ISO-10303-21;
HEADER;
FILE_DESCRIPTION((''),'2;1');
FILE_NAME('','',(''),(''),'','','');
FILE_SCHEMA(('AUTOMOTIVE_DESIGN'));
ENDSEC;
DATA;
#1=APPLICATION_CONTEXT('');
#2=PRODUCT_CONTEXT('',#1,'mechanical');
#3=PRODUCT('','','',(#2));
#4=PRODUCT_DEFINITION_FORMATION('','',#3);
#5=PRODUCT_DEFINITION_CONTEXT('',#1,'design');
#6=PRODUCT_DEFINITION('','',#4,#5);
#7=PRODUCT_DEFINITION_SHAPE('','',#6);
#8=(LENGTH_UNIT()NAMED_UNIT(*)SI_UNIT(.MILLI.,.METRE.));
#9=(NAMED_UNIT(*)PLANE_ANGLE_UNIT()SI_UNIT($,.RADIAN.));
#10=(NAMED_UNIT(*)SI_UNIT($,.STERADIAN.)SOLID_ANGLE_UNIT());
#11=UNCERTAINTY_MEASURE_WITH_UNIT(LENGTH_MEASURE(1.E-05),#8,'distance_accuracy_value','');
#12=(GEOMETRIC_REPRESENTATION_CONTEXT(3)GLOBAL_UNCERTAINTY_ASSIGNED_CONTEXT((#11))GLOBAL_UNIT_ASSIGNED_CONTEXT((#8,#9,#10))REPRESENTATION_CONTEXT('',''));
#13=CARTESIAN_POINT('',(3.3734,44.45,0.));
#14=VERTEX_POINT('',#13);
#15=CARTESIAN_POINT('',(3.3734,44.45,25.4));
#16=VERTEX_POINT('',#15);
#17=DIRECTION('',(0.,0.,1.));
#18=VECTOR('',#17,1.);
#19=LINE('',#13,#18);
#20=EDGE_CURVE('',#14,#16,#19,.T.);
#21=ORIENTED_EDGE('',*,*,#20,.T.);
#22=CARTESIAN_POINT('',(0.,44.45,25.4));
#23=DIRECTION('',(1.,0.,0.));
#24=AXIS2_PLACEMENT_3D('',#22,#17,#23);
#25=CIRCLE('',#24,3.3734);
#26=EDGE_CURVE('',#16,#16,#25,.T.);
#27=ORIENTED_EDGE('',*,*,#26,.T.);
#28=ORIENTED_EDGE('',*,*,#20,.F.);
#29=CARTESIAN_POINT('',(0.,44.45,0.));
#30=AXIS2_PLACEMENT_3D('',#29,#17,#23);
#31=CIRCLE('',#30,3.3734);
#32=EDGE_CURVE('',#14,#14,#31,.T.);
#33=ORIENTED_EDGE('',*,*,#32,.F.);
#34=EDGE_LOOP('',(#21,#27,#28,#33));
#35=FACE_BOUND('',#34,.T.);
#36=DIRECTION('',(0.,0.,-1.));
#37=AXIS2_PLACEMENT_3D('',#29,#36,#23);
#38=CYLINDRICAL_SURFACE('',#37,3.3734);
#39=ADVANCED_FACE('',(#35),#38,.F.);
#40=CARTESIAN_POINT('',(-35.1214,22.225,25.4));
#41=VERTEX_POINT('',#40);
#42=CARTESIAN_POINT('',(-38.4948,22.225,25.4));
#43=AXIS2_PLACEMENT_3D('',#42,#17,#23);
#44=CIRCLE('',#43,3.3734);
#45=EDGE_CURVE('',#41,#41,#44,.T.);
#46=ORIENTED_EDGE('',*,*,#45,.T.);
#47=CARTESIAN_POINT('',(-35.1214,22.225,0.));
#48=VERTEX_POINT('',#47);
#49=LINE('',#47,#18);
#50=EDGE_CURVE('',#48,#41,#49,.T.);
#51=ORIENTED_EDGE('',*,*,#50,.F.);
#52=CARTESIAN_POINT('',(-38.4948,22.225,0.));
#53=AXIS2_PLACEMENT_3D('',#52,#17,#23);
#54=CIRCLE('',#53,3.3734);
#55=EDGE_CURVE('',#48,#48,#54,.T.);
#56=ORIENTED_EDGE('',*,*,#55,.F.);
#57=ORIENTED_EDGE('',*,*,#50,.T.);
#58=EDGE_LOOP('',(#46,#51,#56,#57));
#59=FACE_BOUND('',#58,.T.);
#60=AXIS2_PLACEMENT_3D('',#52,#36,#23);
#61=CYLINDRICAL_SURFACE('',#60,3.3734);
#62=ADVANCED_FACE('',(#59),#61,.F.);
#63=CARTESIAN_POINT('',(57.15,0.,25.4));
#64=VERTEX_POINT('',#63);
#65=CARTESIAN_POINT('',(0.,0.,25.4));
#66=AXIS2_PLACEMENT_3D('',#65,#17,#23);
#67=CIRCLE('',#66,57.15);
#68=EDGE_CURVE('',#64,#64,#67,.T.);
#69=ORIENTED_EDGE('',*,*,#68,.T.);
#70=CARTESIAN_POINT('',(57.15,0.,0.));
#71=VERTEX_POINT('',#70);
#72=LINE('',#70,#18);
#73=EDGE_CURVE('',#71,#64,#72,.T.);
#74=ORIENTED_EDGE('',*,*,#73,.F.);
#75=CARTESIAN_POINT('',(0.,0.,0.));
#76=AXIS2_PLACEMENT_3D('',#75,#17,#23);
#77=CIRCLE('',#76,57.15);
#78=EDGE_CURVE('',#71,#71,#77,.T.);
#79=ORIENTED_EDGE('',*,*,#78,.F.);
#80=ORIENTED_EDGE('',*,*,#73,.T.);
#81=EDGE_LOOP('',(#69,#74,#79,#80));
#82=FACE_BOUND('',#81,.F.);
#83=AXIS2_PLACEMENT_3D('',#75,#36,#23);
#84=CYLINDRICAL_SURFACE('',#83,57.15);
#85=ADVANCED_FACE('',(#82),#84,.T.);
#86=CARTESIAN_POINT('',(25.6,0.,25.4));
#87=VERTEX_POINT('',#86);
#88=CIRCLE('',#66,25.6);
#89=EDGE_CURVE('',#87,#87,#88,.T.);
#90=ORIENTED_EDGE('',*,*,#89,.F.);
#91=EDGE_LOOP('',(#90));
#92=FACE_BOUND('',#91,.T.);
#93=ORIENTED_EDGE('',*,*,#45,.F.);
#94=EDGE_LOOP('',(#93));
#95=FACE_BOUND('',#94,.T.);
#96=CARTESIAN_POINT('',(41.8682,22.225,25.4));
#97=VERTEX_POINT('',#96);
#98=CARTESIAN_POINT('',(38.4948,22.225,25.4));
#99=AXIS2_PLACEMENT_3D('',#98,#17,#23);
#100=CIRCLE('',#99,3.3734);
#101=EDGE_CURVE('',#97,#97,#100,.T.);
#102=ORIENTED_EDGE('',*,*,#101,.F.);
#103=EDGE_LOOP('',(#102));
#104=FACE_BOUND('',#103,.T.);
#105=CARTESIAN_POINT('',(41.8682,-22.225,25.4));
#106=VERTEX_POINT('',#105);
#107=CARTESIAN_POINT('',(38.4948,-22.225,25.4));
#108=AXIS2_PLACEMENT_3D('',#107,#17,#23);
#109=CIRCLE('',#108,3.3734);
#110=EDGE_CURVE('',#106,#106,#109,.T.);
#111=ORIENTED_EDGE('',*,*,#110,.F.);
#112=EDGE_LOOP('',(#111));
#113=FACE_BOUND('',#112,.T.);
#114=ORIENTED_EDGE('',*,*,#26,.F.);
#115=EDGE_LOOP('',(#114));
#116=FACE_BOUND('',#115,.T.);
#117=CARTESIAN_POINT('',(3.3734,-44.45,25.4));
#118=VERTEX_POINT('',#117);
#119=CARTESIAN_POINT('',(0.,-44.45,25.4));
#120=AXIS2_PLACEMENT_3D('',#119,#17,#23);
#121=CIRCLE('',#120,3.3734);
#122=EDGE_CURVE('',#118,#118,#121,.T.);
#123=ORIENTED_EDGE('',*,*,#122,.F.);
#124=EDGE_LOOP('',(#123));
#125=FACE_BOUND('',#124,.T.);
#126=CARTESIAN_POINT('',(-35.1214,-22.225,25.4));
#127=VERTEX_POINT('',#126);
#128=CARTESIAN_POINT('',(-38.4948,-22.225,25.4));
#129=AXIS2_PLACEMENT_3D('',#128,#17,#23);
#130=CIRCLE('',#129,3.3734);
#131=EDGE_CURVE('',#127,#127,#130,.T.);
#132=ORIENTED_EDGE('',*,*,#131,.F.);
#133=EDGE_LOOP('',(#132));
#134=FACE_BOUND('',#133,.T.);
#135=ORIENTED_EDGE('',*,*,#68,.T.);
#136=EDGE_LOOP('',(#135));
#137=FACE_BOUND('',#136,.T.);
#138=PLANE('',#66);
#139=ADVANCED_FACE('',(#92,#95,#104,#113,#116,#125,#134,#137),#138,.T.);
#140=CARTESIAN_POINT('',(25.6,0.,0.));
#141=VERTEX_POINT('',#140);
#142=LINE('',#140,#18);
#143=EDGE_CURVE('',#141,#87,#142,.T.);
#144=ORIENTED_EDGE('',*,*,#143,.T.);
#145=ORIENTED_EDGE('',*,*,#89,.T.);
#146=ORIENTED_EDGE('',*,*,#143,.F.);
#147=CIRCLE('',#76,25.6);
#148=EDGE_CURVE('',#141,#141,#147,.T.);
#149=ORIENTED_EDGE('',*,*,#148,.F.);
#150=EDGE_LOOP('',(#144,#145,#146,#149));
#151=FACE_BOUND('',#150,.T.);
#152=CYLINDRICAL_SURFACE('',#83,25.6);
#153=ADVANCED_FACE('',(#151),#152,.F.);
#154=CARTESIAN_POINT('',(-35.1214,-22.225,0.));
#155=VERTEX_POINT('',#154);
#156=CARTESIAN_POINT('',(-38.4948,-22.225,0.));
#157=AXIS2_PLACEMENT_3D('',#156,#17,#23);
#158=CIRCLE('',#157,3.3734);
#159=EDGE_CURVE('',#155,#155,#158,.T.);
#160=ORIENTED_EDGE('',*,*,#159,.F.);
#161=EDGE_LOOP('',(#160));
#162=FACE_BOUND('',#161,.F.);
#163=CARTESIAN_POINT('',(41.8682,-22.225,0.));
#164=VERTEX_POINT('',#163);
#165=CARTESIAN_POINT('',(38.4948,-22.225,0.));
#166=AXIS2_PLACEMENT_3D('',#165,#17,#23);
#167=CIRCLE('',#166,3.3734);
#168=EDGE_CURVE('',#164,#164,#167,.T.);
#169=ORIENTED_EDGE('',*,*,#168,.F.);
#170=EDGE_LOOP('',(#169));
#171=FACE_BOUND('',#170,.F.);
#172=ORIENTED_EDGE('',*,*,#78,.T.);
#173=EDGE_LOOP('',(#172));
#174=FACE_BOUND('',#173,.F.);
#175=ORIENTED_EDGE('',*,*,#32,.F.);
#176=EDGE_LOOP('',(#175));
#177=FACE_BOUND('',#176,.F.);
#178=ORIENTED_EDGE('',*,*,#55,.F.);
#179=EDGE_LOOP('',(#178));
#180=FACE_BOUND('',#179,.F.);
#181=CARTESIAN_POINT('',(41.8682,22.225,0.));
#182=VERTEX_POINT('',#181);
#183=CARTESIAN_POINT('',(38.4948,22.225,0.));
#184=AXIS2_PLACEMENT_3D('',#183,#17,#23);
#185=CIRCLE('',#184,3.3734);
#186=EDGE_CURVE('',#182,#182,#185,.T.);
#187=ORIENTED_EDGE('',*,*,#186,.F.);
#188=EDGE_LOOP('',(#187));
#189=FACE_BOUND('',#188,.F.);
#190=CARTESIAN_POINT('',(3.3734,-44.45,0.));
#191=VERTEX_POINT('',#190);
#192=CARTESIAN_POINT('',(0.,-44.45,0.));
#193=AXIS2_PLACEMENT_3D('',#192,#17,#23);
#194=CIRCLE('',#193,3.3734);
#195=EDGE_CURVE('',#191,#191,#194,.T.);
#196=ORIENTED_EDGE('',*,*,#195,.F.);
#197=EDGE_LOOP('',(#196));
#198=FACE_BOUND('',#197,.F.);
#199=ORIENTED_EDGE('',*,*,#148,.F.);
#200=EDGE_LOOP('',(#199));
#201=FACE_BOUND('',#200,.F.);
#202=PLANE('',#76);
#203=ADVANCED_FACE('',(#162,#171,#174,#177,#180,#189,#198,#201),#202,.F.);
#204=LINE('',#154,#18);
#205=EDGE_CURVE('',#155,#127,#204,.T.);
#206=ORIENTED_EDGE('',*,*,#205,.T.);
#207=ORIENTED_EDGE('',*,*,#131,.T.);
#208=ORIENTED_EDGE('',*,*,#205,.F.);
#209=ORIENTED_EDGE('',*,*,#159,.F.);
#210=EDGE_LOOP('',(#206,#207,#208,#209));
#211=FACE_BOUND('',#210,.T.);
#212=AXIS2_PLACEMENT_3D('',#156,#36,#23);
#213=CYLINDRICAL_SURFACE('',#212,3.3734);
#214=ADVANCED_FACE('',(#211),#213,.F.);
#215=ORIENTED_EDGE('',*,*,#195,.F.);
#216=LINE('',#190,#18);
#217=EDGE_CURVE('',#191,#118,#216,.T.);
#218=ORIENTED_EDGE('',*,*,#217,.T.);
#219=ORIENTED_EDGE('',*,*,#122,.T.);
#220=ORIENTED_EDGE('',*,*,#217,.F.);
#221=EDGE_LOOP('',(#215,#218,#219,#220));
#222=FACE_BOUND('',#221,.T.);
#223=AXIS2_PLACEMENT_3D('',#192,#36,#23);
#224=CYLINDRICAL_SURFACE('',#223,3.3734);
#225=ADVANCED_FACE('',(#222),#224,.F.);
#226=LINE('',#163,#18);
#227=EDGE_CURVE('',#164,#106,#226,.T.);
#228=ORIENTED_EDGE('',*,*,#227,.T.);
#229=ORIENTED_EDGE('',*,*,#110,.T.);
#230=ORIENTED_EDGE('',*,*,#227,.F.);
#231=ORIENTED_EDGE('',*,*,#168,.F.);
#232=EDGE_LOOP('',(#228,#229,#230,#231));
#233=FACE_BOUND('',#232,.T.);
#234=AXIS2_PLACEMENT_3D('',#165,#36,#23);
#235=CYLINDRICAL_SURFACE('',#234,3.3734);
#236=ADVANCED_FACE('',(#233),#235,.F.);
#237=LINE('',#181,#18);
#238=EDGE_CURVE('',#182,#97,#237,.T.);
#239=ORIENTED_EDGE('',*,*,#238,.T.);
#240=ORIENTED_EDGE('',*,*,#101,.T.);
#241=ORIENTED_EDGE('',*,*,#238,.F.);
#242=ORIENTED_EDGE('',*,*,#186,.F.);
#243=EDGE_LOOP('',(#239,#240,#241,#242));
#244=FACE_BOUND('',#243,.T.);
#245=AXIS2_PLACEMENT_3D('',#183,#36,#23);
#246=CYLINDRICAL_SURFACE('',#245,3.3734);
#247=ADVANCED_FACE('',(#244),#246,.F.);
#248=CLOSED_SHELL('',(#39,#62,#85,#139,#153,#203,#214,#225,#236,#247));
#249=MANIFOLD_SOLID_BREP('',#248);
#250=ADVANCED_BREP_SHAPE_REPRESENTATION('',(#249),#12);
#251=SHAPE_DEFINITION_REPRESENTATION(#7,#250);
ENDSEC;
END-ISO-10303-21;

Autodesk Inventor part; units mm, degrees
ref_plane "YZ Plane" through (0, 0, 0) normal (1, 0, 0) x (0, 1, 0)
ref_plane "XZ Plane" through (0, 0, 0) normal (0, 1, 0) x (-1, 0, 0)
ref_plane "XY Plane" through (0, 0, 0) normal (0, 0, 1) x (1, 0, 0)
sketch "Sketch1" plane through (0, 0, 0) normal (0, 0, 1) x (1, 0, 0)
  circle A0 centre (0, 0) radius 25.6
  circle A1 centre (0, 44.45) radius 3.3734
  circle A2 centre (-38.4948, 22.225) radius 3.3734
  circle A3 centre (-38.4948, -22.225) radius 3.3734
  circle A4 centre (0, -44.45) radius 3.3734
  circle A5 centre (38.4948, -22.225) radius 3.3734
  circle A6 centre (38.4948, 22.225) radius 3.3734
  circle A7 centre (0, 0) radius 57.15
  dimension "d0" = 51.2
  dimension "d1" = 44.45
  dimension "d2" = 6.7469
  dimension "d5" = 360
  dimension "d7" = 114.3
extrude "Extrusion1" add sketch "Sketch1" along normal blind 25.4
properties part number "IndexerWheelSpacer"
